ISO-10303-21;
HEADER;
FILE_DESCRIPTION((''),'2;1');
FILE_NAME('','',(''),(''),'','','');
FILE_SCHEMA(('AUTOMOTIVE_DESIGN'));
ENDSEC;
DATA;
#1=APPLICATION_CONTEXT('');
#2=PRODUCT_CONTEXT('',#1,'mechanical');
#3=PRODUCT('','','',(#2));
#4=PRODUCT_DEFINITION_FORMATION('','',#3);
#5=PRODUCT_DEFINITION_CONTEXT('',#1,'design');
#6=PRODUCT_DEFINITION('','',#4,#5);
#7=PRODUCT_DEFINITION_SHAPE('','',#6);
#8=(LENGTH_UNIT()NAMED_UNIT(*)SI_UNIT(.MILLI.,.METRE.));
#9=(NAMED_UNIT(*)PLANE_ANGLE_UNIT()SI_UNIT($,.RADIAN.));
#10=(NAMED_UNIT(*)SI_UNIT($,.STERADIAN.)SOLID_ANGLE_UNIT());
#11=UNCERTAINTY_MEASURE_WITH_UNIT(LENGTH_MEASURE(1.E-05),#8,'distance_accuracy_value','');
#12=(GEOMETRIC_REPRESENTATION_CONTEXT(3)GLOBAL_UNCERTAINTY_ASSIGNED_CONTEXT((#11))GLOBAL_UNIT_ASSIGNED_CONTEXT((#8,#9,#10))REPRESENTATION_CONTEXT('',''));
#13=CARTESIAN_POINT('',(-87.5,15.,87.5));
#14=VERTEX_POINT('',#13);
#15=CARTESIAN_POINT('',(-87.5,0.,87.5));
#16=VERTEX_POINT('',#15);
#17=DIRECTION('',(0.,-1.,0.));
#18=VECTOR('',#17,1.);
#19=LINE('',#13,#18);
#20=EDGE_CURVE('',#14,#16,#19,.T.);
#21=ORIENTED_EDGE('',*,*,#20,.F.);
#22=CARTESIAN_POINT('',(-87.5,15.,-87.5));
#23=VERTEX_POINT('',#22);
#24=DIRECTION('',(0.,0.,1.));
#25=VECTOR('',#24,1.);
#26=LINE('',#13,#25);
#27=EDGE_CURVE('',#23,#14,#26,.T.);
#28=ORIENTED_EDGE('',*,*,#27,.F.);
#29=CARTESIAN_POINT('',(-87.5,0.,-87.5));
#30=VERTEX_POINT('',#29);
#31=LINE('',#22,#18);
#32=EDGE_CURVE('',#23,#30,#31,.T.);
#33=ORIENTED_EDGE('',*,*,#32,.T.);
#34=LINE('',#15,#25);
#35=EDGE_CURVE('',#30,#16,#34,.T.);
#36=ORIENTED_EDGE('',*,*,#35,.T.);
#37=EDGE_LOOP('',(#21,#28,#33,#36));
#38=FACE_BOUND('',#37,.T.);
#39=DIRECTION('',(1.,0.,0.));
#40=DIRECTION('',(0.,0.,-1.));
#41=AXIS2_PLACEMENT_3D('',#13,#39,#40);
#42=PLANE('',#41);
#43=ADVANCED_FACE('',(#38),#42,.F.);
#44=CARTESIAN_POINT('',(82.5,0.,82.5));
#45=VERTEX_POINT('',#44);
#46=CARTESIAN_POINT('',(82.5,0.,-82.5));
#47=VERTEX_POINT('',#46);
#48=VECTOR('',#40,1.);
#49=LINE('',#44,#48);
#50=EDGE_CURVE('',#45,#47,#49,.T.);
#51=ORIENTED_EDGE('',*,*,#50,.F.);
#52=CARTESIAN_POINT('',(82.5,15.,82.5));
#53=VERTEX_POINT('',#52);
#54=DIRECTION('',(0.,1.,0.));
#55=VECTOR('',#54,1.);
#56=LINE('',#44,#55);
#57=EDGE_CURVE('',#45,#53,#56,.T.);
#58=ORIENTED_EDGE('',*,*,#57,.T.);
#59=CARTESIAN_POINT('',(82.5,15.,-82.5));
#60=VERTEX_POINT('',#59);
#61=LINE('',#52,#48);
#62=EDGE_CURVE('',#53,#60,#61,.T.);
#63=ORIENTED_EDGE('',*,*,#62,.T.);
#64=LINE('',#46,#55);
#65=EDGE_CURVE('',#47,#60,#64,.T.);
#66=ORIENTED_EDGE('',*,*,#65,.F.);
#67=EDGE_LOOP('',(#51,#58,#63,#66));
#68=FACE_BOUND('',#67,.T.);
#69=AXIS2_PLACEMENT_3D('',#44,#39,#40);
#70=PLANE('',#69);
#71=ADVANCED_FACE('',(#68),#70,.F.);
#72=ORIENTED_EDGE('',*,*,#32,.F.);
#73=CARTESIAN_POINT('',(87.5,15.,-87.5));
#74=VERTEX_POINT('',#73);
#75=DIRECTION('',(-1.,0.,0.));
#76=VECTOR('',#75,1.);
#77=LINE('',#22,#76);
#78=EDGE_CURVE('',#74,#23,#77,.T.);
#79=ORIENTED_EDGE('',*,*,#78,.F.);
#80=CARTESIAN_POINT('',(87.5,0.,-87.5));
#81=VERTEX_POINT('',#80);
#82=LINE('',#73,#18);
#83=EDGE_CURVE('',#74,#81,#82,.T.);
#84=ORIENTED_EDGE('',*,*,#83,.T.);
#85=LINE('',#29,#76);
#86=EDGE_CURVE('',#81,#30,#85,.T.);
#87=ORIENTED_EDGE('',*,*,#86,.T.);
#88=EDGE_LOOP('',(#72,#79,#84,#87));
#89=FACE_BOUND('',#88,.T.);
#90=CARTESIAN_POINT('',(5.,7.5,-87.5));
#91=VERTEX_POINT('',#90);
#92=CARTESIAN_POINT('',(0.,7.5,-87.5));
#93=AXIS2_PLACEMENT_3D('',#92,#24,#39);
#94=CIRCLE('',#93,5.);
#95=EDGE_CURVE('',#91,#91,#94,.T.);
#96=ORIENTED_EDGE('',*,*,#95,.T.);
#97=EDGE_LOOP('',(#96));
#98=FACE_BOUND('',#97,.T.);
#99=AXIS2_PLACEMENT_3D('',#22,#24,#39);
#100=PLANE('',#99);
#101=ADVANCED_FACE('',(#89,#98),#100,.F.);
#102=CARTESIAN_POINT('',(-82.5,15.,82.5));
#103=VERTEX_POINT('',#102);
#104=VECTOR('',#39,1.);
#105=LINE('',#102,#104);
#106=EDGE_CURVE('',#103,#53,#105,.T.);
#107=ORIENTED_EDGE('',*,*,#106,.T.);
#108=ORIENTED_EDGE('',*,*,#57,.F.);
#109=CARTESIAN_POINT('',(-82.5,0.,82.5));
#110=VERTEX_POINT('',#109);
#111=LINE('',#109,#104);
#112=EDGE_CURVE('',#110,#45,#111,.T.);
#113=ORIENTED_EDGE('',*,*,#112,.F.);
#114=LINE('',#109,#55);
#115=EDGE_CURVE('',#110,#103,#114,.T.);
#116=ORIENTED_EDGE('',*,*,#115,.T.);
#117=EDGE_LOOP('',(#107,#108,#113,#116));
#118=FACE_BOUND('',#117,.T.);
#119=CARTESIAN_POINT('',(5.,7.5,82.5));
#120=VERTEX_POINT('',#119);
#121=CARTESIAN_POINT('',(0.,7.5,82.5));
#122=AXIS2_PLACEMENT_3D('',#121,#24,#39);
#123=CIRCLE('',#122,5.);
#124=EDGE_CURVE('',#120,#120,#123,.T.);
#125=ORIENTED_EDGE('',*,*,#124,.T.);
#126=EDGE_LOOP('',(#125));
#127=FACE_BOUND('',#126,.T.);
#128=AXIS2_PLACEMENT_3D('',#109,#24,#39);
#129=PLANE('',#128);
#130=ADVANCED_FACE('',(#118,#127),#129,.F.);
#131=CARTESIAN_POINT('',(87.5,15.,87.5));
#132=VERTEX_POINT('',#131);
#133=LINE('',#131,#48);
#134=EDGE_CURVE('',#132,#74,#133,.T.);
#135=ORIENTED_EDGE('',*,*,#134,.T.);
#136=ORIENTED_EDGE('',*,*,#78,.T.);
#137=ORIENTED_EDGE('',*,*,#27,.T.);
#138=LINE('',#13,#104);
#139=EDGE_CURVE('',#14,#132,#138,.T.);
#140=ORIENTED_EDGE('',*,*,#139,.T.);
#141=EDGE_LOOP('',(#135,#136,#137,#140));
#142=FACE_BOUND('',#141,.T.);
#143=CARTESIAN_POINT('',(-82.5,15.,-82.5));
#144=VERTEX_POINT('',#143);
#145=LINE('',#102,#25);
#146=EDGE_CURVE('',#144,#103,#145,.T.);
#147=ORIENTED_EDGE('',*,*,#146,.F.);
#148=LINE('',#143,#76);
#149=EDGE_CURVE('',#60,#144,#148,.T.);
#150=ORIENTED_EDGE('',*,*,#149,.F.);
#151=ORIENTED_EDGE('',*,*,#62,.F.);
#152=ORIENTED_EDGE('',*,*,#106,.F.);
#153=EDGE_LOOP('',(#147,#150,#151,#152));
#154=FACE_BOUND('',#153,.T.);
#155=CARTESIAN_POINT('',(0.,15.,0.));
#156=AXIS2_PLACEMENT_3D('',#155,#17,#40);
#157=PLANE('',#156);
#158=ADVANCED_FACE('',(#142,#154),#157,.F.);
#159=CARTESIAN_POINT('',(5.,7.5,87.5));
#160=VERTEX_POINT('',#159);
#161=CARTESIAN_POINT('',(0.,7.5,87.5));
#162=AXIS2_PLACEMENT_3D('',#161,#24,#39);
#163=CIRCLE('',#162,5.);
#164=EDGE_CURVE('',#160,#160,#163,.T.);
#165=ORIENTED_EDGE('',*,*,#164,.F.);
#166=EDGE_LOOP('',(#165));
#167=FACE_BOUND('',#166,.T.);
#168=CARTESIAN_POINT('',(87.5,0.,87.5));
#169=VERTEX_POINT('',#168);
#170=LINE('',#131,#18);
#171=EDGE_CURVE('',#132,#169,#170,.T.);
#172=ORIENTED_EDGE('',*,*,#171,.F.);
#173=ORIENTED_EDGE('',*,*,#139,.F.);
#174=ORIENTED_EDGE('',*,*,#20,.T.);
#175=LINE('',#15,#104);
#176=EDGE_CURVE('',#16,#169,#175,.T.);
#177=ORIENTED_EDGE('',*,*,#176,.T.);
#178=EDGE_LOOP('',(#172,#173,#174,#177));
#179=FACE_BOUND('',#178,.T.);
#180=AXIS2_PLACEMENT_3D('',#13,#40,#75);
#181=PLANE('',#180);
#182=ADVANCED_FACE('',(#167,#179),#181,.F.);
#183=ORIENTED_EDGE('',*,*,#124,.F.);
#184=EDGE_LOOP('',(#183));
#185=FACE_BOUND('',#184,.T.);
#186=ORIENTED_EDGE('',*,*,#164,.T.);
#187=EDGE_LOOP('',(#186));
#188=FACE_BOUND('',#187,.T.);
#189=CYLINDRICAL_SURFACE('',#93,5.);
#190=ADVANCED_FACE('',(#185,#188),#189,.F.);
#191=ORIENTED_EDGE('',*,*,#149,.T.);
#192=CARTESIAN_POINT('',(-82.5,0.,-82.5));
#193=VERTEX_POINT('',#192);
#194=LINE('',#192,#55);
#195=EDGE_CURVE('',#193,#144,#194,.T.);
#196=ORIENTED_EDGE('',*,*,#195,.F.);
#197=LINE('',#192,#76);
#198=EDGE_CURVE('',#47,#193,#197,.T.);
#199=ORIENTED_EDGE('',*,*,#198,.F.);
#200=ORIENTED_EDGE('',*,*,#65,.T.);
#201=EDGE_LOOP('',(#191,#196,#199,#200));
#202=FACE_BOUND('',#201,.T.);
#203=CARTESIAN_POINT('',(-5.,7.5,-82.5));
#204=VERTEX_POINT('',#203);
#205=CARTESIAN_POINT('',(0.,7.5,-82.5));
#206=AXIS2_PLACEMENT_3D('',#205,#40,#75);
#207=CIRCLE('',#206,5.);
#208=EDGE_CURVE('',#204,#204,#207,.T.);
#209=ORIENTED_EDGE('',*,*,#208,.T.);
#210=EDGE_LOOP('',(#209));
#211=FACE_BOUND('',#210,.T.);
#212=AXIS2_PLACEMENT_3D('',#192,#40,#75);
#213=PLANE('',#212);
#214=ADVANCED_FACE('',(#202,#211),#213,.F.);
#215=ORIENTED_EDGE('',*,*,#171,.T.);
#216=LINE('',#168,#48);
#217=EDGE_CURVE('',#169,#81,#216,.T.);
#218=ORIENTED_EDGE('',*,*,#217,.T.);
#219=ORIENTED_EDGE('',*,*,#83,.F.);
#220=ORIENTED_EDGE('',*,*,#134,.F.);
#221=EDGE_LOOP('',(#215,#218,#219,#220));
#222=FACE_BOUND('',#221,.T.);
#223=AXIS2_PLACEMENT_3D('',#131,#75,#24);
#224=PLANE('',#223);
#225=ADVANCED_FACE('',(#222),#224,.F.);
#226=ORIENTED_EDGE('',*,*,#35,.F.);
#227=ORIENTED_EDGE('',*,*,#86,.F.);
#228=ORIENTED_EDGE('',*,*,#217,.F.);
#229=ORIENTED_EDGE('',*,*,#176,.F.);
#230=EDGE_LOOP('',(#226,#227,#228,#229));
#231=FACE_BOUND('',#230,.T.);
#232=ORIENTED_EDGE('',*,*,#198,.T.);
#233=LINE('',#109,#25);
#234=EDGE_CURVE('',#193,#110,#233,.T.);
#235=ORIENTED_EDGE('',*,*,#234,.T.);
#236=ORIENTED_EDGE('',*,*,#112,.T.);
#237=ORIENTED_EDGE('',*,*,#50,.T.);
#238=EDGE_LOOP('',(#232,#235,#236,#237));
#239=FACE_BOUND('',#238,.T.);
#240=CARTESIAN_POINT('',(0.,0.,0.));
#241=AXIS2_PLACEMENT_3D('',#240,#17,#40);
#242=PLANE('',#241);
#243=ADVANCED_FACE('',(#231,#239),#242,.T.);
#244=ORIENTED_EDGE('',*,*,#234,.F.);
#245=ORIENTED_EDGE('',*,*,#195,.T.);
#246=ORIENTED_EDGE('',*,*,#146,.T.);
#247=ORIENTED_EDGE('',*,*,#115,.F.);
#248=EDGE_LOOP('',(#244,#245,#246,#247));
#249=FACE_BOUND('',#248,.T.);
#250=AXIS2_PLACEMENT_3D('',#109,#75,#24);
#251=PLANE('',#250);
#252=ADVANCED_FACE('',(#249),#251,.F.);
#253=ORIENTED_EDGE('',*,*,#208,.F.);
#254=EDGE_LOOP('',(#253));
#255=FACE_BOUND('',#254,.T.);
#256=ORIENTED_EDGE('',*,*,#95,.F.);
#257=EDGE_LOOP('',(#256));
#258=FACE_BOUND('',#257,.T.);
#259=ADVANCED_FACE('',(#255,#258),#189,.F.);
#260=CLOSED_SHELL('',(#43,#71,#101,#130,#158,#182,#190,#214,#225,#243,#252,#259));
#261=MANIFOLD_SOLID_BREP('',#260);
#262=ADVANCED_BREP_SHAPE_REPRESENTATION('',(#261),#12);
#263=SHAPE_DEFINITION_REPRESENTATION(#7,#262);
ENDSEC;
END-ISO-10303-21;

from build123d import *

# Parameters (mm, degrees)
SKETCH1_W           = 175
SKETCH1_H           = 175
BOSS_EXTRUDE1_DEPTH = 15
SKETCH2_W           = 165
SKETCH2_H           = 165
CUT_EXTRUDE1_DEPTH  = 15
SKETCH3_R           = 5
CUT_EXTRUDE2_DEPTH  = 197.230094532


with BuildPart() as part:
    # Sketch1 → Boss-Extrude1 (new body)
    with BuildSketch(Plane(origin=(0, 0, 0), x_dir=(1, 0, 0), z_dir=(0, 1, 0))):
        Rectangle(SKETCH1_W, SKETCH1_H)
    extrude(amount=BOSS_EXTRUDE1_DEPTH)

    # Sketch2 → Cut-Extrude1 (cut)
    with BuildSketch(Plane(origin=(0, 15, 0), x_dir=(1, 0, 0), z_dir=(0, 1, 0))):
        Rectangle(SKETCH2_W, SKETCH2_H)
    extrude(amount=-CUT_EXTRUDE1_DEPTH, mode=Mode.SUBTRACT)

    # Sketch3 → Cut-Extrude2 (cut, through all)
    with BuildSketch(Plane.XY.offset(87.5)):
        with Locations((0, 7.5)):
            Circle(SKETCH3_R)
    extrude(amount=-CUT_EXTRUDE2_DEPTH, mode=Mode.SUBTRACT)


solid = part.part
